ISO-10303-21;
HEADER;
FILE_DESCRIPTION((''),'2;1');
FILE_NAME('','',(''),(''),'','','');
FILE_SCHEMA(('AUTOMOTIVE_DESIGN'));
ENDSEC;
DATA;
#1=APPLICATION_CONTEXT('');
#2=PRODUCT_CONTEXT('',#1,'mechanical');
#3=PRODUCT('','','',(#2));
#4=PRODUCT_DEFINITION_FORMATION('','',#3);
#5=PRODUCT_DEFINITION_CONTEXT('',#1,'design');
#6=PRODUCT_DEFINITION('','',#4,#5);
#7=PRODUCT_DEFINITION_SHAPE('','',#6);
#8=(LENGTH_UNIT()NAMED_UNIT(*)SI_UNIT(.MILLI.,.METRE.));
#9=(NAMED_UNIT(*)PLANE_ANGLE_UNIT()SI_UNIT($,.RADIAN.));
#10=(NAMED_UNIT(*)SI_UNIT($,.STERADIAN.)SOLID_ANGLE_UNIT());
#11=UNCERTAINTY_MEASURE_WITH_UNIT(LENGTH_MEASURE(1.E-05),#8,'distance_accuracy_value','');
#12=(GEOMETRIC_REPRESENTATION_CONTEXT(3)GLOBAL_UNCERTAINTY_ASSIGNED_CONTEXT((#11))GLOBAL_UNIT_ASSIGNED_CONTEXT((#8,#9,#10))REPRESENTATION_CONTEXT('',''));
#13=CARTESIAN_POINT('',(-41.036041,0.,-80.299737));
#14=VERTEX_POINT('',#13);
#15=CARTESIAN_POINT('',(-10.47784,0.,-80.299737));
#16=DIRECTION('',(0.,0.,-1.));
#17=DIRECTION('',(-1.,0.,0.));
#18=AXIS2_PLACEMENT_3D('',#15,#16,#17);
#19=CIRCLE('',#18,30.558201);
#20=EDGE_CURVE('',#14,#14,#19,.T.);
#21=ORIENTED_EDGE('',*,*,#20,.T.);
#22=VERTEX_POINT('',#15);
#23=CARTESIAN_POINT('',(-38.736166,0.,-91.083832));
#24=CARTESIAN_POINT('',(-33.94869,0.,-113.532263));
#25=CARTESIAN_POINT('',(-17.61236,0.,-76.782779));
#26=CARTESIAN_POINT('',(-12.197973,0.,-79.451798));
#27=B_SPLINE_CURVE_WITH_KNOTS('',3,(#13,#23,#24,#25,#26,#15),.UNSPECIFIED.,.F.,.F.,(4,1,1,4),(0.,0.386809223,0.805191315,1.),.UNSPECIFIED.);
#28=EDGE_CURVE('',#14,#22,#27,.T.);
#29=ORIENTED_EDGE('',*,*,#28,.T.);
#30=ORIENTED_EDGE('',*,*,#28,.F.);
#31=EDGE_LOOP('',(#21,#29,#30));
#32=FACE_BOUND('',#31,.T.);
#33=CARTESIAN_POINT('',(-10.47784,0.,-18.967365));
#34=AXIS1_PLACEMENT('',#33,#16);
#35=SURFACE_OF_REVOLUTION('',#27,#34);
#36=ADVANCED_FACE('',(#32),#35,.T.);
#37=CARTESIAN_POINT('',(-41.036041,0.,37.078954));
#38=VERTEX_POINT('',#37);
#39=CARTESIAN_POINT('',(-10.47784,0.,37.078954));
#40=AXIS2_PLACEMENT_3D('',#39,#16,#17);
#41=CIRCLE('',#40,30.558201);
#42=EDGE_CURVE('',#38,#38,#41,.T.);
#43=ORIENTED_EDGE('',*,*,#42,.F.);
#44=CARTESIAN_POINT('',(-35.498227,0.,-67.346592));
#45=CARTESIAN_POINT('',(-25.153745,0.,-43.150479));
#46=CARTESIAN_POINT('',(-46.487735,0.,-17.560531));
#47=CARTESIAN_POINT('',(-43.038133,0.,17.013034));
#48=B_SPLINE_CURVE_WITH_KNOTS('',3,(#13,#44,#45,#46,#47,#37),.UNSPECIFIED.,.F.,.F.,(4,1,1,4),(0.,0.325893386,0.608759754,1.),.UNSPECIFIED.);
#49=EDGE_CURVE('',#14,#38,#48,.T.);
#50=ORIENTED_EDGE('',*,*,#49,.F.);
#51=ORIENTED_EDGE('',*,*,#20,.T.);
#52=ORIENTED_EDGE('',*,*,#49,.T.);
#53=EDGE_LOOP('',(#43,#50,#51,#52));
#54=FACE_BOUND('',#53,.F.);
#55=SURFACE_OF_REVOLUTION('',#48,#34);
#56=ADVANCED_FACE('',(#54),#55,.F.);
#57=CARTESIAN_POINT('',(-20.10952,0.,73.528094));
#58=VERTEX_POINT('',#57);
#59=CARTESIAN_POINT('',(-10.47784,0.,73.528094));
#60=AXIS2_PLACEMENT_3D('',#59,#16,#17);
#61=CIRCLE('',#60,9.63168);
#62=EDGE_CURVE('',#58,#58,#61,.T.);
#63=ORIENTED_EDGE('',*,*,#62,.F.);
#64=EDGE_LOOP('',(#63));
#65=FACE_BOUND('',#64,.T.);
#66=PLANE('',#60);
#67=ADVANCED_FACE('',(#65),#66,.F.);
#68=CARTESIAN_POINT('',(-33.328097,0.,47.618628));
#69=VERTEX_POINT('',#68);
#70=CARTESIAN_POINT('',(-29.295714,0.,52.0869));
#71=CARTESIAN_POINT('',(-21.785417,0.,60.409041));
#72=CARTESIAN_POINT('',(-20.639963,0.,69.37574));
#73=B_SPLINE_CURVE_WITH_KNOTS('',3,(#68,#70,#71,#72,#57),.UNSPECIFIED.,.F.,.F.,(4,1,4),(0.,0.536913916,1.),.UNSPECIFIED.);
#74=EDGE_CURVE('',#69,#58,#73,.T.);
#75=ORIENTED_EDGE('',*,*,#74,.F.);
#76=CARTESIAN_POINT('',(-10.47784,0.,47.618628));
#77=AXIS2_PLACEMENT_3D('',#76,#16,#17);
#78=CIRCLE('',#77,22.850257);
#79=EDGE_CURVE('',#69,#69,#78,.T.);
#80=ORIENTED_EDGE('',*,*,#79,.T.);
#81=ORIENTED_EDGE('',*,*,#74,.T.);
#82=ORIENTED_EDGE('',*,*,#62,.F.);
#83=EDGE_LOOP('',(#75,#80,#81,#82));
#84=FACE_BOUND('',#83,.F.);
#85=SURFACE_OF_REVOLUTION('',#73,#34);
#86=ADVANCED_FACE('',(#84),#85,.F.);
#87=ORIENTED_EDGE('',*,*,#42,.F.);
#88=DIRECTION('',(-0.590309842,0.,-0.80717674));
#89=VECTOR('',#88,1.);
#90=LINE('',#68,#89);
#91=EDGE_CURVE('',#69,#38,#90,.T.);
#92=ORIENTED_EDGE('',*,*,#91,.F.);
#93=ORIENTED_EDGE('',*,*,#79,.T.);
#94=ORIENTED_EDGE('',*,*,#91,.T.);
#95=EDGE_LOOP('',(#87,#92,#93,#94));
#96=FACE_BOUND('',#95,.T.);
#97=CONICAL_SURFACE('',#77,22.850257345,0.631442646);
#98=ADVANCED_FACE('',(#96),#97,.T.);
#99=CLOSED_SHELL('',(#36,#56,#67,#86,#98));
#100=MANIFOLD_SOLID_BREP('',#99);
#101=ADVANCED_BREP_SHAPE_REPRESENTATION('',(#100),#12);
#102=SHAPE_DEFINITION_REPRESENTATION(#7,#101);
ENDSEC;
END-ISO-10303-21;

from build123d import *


with BuildPart() as f1:
    # F0 (on Front) → F1 (revolve)
    with BuildSketch(Plane.XZ):
        with BuildLine():
            Line((-10.4778399691, 73.5280942172), (-20.1095195953, 73.5280942172))
            add(Edge.make_bspline(
                [(-33.3280973136, 47.6186275482), (-29.2957141693, 52.0869004821), (-21.785416848, 60.4090407761), (-20.6399632271, 69.3757404007), (-20.1095195953, 73.5280942172)],
                knots=[0, 0, 0, 0, 0.5369139159, 1, 1, 1, 1], degree=3))
            Line((-33.3280973136, 47.6186275482), (-41.0360410072, 37.0789542794))
            add(Edge.make_bspline(
                [(-41.0360410072, -80.2997369319), (-35.4982270252, -67.3465920244), (-25.15374498, -43.1504786556), (-46.4877352533, -17.5605307683), (-43.0381327925, 17.0130336269), (-41.0360410072, 37.0789542794)],
                knots=[0, 0, 0, 0, 0.3258933859, 0.6087597543, 1, 1, 1, 1], degree=3))
            add(Edge.make_bspline(
                [(-41.0360410072, -80.2997369319), (-38.7361656209, -91.0838322906), (-33.9486901013, -113.5322626873), (-17.612360317, -76.7827793923), (-12.1979729547, -79.4517984052), (-10.4778399691, -80.2997369319)],
                knots=[0, 0, 0, 0, 0.3868092232, 0.8051913151, 1, 1, 1, 1], degree=3))
            Line((-10.4778399691, -80.2997369319), (-10.4778399691, 73.5280942172))
        make_face()
    revolve(axis=Axis((-10.4778399691, 0, -18.9673649147), (0, 0, -1)))


solid = f1.part
